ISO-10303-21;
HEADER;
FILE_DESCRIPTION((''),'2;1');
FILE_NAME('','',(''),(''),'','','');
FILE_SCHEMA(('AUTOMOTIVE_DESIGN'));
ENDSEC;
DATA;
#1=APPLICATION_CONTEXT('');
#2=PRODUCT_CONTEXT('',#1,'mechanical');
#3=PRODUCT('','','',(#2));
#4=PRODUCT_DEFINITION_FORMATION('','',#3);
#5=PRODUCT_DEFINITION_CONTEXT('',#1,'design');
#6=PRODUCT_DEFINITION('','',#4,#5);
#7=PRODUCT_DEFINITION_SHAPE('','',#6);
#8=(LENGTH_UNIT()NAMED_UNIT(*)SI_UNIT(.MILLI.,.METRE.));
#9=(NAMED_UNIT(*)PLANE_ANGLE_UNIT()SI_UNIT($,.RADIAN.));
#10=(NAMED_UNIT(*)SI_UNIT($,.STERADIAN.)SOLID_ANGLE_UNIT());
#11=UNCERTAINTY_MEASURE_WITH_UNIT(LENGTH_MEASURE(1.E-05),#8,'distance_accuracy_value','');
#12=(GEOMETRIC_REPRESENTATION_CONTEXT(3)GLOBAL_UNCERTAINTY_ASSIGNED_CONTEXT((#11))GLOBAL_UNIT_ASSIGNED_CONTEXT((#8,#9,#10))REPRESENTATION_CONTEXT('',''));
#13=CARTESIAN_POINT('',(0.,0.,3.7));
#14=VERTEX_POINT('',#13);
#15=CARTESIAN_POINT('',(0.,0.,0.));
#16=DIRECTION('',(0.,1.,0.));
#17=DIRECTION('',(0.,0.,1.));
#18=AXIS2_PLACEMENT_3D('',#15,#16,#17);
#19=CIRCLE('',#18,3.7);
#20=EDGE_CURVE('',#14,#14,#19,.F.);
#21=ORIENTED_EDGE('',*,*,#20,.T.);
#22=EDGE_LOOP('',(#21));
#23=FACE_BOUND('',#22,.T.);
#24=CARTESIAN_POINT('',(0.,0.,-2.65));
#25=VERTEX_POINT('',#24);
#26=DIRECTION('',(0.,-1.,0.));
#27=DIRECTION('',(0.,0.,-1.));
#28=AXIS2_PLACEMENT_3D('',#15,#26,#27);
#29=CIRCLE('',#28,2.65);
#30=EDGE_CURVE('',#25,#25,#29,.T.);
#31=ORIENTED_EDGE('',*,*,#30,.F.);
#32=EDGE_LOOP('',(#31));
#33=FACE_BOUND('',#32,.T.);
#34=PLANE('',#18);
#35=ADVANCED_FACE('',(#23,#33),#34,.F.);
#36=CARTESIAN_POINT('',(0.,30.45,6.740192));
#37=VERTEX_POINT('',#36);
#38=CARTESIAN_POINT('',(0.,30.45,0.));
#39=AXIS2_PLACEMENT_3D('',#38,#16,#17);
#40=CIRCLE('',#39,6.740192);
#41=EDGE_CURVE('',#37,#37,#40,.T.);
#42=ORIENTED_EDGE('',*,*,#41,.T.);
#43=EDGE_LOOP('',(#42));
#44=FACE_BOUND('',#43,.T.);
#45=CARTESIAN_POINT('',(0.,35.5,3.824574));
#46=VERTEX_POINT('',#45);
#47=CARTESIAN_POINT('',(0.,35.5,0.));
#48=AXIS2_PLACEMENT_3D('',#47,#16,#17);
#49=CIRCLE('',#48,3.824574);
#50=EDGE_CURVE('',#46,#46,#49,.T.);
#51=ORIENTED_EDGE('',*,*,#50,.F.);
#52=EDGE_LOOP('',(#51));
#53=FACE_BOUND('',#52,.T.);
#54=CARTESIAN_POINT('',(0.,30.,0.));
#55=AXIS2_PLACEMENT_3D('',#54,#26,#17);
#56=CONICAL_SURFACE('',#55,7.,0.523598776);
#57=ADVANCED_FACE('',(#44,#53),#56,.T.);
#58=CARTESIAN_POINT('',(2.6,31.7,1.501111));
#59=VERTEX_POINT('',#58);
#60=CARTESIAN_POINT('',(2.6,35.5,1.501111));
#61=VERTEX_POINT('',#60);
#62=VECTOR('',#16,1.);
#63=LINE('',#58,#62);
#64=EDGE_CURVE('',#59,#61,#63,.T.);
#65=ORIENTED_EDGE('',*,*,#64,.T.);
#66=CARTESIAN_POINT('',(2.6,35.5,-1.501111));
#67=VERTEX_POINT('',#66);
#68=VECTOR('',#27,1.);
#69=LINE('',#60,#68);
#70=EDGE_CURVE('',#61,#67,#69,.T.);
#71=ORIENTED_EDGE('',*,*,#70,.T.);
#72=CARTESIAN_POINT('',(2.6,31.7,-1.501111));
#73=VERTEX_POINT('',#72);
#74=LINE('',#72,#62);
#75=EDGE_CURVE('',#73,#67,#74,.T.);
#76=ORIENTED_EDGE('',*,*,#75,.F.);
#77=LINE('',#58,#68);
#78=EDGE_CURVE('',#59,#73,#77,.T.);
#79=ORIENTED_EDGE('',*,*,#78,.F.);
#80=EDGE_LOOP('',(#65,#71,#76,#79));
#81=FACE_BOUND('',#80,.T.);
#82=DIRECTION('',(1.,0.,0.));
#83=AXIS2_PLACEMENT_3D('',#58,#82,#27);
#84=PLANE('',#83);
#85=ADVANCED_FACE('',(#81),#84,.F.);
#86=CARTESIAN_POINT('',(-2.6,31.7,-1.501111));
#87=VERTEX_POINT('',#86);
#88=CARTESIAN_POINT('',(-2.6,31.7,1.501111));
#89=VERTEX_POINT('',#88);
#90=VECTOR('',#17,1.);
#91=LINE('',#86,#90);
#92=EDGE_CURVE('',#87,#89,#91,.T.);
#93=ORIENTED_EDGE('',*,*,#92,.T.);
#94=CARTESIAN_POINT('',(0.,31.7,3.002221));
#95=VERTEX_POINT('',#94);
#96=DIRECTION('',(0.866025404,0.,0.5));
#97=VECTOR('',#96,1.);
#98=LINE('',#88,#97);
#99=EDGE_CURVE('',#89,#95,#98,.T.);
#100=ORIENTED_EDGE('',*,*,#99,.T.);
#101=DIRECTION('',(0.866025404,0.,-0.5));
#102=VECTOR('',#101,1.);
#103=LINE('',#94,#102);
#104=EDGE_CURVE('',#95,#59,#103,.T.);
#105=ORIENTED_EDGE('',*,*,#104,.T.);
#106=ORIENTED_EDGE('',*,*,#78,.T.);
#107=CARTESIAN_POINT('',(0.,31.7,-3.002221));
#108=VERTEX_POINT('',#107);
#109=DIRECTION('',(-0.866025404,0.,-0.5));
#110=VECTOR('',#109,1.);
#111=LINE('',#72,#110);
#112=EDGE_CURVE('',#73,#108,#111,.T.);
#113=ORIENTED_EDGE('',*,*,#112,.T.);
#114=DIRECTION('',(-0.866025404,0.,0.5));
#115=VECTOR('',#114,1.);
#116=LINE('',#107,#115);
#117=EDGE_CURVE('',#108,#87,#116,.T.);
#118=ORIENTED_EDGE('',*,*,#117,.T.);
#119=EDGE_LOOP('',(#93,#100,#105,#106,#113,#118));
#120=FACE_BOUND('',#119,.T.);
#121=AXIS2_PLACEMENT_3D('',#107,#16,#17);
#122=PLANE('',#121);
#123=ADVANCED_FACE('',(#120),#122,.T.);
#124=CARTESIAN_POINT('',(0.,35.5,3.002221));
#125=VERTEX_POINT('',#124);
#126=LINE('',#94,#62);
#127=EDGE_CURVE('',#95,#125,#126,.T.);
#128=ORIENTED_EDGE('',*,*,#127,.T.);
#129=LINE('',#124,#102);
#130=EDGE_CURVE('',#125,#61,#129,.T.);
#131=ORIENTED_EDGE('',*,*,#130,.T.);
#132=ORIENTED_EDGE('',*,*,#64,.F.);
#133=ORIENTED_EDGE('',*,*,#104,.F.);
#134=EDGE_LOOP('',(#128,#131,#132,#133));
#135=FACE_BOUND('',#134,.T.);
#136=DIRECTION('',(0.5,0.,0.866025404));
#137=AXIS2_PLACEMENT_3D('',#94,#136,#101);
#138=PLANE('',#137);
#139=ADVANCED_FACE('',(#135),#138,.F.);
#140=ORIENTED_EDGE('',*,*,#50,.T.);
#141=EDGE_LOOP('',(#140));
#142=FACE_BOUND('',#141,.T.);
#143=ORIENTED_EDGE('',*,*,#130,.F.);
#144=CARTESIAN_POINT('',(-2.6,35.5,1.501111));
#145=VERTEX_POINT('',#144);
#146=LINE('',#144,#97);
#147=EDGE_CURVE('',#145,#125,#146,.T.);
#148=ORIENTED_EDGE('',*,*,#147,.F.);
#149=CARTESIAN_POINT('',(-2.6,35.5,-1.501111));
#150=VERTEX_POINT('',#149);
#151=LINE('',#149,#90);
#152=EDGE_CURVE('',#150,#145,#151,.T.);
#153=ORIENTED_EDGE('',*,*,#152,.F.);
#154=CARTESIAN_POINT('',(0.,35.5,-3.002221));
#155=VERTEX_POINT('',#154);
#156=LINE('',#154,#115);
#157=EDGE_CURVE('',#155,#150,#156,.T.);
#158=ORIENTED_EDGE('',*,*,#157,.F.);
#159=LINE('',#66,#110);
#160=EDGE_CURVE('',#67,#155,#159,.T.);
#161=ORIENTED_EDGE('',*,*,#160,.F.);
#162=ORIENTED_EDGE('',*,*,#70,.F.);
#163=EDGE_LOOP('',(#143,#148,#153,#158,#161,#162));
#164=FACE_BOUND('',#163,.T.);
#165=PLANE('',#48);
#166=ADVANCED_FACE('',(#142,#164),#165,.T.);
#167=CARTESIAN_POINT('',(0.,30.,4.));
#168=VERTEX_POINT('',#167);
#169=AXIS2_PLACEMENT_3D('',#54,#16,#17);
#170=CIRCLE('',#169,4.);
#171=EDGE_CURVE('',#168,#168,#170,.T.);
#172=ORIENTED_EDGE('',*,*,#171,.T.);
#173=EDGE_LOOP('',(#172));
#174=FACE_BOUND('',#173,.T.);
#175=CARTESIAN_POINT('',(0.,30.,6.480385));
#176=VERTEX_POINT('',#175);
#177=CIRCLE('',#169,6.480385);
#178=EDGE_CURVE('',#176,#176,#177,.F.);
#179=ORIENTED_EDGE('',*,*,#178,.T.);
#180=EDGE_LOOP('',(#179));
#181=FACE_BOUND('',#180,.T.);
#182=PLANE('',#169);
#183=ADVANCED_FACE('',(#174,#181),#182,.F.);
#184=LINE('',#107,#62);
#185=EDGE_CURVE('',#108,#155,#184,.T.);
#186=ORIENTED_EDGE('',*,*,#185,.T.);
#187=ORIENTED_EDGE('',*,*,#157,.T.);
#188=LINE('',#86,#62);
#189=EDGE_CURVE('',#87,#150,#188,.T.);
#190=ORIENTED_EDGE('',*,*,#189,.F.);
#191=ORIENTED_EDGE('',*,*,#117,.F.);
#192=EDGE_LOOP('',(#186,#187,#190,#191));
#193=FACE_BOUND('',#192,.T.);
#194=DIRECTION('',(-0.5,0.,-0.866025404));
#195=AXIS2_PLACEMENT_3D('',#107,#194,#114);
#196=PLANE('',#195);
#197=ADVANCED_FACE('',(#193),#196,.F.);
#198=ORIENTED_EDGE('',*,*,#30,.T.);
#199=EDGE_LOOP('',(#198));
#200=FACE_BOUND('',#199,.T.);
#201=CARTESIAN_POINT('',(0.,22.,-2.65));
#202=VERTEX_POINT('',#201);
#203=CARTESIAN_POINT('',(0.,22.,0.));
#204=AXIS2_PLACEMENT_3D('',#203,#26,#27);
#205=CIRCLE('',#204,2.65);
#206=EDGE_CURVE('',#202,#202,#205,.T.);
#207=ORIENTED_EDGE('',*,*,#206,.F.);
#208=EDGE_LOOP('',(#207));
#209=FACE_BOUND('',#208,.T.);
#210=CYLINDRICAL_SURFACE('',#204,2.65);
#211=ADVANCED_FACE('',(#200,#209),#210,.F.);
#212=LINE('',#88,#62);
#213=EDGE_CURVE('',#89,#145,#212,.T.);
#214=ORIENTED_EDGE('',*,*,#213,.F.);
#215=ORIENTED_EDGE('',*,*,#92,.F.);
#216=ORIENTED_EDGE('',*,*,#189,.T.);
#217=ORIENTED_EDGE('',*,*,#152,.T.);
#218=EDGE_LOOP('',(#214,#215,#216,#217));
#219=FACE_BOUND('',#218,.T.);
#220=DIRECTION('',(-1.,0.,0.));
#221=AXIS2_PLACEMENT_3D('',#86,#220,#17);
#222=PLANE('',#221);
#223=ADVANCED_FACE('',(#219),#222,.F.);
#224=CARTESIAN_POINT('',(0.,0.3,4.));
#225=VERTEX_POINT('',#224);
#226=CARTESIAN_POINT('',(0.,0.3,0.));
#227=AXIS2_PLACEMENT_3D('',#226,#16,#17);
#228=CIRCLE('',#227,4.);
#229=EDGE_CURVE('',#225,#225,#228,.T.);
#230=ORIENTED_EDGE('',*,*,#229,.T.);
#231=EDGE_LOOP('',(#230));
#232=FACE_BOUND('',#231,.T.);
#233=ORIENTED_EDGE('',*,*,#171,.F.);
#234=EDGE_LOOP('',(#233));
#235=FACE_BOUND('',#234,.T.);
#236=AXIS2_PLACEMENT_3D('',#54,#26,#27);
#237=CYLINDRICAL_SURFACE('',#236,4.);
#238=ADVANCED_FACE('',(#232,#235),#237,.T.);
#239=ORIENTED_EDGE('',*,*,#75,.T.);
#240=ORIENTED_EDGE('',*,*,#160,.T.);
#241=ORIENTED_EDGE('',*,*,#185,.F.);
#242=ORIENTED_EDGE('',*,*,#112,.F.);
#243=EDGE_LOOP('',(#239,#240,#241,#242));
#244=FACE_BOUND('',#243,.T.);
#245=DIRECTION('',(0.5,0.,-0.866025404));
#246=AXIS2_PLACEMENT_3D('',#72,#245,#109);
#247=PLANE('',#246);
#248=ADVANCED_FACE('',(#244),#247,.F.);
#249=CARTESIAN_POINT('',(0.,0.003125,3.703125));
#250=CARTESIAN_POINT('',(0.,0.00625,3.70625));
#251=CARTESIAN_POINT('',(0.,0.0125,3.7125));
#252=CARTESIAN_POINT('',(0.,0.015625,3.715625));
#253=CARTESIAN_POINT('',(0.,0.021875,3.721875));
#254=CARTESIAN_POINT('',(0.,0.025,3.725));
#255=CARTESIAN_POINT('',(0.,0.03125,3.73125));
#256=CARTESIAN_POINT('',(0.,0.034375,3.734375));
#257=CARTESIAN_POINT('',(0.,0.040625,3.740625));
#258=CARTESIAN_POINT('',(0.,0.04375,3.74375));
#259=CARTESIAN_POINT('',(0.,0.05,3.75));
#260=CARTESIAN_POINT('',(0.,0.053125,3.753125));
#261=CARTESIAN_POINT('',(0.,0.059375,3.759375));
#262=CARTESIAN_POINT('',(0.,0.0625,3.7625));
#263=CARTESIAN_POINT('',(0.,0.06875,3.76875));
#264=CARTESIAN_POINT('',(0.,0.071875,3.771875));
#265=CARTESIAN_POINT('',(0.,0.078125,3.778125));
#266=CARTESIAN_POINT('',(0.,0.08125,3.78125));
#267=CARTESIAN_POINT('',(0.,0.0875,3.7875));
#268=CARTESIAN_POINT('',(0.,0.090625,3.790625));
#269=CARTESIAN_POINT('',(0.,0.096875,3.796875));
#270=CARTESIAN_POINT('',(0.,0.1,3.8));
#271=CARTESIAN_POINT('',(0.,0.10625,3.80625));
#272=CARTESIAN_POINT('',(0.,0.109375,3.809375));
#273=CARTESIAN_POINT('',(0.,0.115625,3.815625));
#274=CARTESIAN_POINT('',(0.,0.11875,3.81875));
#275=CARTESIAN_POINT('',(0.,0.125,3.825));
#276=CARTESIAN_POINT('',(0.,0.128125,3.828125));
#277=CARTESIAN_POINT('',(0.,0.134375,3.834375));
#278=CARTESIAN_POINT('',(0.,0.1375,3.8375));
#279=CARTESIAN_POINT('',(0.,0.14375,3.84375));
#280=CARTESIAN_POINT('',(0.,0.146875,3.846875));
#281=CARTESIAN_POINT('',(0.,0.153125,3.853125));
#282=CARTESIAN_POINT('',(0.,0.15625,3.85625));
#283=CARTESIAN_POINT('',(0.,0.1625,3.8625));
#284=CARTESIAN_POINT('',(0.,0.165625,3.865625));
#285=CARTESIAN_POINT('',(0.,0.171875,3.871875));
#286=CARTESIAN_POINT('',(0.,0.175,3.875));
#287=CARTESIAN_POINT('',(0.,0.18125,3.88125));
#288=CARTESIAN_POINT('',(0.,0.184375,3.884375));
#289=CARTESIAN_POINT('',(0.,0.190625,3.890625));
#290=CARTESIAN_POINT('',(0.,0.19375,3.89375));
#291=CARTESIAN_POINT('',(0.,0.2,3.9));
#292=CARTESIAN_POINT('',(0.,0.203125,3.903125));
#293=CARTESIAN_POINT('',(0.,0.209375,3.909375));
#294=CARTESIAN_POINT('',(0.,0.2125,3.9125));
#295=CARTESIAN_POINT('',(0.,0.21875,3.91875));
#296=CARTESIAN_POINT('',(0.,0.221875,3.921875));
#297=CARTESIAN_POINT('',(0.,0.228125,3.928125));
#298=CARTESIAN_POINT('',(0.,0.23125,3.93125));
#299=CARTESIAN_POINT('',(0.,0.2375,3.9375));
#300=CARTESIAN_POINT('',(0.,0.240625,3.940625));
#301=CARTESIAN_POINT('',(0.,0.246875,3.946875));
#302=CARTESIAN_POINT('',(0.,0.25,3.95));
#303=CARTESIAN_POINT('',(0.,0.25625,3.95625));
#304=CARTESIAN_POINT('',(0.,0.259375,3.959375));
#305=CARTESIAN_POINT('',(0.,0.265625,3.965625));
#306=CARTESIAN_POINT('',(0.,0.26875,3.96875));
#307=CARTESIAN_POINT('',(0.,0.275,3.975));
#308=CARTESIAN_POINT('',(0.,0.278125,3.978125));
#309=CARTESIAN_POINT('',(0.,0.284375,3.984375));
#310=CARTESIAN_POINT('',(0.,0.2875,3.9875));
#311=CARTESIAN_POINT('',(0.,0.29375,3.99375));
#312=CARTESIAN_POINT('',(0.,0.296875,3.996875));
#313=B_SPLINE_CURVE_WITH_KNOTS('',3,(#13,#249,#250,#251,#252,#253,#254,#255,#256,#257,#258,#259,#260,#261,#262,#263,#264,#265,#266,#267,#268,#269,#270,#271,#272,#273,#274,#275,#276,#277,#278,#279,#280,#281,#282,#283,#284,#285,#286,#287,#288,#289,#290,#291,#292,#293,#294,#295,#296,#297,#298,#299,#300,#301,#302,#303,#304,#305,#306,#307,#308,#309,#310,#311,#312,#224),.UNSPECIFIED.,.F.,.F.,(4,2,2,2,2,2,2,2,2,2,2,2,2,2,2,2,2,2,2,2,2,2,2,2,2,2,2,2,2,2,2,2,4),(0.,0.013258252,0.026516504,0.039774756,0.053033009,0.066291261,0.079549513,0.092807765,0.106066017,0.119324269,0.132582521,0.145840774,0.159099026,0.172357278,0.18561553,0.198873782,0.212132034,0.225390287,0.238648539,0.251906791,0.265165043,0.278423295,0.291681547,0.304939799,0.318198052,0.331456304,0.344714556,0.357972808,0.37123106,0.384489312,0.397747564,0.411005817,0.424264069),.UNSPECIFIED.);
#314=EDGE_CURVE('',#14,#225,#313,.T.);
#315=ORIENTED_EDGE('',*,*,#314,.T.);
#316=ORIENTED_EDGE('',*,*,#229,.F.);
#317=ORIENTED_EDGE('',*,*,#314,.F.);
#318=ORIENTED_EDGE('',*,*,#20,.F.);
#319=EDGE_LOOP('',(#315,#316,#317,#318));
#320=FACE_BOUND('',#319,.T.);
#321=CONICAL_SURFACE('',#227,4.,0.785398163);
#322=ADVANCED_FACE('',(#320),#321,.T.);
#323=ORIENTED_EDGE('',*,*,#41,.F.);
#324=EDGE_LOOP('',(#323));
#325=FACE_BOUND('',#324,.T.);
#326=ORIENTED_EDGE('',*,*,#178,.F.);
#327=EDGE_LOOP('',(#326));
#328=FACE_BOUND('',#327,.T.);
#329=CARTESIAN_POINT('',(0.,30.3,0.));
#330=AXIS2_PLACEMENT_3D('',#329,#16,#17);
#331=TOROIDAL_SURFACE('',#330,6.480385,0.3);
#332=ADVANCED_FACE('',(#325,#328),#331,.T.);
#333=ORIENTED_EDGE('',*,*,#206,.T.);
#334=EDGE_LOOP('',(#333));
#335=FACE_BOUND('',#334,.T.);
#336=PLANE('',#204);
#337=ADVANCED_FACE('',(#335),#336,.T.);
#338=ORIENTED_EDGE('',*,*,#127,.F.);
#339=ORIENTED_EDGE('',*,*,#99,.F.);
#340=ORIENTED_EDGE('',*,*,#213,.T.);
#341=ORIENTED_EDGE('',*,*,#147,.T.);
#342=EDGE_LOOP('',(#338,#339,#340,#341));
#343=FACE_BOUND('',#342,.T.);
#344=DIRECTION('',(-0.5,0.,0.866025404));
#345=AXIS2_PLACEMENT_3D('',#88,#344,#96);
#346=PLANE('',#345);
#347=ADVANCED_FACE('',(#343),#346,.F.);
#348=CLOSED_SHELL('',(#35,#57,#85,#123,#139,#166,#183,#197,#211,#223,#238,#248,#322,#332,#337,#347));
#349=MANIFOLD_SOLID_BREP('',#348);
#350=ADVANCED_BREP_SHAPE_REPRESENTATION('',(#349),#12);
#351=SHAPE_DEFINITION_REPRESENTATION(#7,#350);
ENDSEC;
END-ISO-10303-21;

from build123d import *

# Parameters (mm, degrees)
SKETCH1_R           = 4
BOSS_EXTRUDE1_DEPTH = 30
SKETCH2_R           = 7
BOSS_EXTRUDE2_DEPTH = 5.5
BOSS_EXTRUDE2_TAPER = 30
CUT_EXTRUDE1_DEPTH  = 3.8
SKETCH4_R           = 2.65
CUT_EXTRUDE2_DEPTH  = 22
CHAMFER1_SIZE       = 0.3
FILLET1_R           = 0.3


with BuildPart() as part:
    # Sketch1 → Boss-Extrude1 (new body)
    with BuildSketch(Plane(origin=(0, 0, 0), x_dir=(1, 0, 0), z_dir=(0, 1, 0))):
        with Locations(Location((0, 0, 0), (0, 0, 270))):
            Circle(SKETCH1_R)
    extrude(amount=BOSS_EXTRUDE1_DEPTH)

    # Sketch2 → Boss-Extrude2 (add)
    with BuildSketch(Plane(origin=(0, 30, 0), x_dir=(1, 0, 0), z_dir=(0, 1, 0))):
        Circle(SKETCH2_R)
    extrude(amount=BOSS_EXTRUDE2_DEPTH, taper=BOSS_EXTRUDE2_TAPER)

    # Sketch3 → Cut-Extrude1 (cut)
    with BuildSketch(Plane(origin=(0, 35.5, 0), x_dir=(1, 0, 0), z_dir=(0, 1, 0))):
        Polygon((0, 3.0022214), (-2.6, 1.5011107), (-2.6, -1.5011107), (0, -3.0022214), (2.6, -1.5011107), (2.6, 1.5011107), align=None)
    extrude(amount=-CUT_EXTRUDE1_DEPTH, mode=Mode.SUBTRACT)

    # Sketch4 → Cut-Extrude2 (cut)
    with BuildSketch(Plane.XZ):
        with Locations(Location((0, 0, 0), (0, 0, 270))):
            Circle(SKETCH4_R)
    extrude(amount=-CUT_EXTRUDE2_DEPTH, mode=Mode.SUBTRACT)

    # Chamfer1
    chamfer1_edges = [part.edges().sort_by_distance(p)[0] for p in [
        (0, 0, -4),
    ]]
    chamfer(chamfer1_edges, length=CHAMFER1_SIZE)

    # Fillet1
    fillet1_edges = [part.edges().sort_by_distance(p)[0] for p in [
        (-7, 30, 0),
    ]]
    fillet(fillet1_edges, radius=FILLET1_R)


solid = part.part
